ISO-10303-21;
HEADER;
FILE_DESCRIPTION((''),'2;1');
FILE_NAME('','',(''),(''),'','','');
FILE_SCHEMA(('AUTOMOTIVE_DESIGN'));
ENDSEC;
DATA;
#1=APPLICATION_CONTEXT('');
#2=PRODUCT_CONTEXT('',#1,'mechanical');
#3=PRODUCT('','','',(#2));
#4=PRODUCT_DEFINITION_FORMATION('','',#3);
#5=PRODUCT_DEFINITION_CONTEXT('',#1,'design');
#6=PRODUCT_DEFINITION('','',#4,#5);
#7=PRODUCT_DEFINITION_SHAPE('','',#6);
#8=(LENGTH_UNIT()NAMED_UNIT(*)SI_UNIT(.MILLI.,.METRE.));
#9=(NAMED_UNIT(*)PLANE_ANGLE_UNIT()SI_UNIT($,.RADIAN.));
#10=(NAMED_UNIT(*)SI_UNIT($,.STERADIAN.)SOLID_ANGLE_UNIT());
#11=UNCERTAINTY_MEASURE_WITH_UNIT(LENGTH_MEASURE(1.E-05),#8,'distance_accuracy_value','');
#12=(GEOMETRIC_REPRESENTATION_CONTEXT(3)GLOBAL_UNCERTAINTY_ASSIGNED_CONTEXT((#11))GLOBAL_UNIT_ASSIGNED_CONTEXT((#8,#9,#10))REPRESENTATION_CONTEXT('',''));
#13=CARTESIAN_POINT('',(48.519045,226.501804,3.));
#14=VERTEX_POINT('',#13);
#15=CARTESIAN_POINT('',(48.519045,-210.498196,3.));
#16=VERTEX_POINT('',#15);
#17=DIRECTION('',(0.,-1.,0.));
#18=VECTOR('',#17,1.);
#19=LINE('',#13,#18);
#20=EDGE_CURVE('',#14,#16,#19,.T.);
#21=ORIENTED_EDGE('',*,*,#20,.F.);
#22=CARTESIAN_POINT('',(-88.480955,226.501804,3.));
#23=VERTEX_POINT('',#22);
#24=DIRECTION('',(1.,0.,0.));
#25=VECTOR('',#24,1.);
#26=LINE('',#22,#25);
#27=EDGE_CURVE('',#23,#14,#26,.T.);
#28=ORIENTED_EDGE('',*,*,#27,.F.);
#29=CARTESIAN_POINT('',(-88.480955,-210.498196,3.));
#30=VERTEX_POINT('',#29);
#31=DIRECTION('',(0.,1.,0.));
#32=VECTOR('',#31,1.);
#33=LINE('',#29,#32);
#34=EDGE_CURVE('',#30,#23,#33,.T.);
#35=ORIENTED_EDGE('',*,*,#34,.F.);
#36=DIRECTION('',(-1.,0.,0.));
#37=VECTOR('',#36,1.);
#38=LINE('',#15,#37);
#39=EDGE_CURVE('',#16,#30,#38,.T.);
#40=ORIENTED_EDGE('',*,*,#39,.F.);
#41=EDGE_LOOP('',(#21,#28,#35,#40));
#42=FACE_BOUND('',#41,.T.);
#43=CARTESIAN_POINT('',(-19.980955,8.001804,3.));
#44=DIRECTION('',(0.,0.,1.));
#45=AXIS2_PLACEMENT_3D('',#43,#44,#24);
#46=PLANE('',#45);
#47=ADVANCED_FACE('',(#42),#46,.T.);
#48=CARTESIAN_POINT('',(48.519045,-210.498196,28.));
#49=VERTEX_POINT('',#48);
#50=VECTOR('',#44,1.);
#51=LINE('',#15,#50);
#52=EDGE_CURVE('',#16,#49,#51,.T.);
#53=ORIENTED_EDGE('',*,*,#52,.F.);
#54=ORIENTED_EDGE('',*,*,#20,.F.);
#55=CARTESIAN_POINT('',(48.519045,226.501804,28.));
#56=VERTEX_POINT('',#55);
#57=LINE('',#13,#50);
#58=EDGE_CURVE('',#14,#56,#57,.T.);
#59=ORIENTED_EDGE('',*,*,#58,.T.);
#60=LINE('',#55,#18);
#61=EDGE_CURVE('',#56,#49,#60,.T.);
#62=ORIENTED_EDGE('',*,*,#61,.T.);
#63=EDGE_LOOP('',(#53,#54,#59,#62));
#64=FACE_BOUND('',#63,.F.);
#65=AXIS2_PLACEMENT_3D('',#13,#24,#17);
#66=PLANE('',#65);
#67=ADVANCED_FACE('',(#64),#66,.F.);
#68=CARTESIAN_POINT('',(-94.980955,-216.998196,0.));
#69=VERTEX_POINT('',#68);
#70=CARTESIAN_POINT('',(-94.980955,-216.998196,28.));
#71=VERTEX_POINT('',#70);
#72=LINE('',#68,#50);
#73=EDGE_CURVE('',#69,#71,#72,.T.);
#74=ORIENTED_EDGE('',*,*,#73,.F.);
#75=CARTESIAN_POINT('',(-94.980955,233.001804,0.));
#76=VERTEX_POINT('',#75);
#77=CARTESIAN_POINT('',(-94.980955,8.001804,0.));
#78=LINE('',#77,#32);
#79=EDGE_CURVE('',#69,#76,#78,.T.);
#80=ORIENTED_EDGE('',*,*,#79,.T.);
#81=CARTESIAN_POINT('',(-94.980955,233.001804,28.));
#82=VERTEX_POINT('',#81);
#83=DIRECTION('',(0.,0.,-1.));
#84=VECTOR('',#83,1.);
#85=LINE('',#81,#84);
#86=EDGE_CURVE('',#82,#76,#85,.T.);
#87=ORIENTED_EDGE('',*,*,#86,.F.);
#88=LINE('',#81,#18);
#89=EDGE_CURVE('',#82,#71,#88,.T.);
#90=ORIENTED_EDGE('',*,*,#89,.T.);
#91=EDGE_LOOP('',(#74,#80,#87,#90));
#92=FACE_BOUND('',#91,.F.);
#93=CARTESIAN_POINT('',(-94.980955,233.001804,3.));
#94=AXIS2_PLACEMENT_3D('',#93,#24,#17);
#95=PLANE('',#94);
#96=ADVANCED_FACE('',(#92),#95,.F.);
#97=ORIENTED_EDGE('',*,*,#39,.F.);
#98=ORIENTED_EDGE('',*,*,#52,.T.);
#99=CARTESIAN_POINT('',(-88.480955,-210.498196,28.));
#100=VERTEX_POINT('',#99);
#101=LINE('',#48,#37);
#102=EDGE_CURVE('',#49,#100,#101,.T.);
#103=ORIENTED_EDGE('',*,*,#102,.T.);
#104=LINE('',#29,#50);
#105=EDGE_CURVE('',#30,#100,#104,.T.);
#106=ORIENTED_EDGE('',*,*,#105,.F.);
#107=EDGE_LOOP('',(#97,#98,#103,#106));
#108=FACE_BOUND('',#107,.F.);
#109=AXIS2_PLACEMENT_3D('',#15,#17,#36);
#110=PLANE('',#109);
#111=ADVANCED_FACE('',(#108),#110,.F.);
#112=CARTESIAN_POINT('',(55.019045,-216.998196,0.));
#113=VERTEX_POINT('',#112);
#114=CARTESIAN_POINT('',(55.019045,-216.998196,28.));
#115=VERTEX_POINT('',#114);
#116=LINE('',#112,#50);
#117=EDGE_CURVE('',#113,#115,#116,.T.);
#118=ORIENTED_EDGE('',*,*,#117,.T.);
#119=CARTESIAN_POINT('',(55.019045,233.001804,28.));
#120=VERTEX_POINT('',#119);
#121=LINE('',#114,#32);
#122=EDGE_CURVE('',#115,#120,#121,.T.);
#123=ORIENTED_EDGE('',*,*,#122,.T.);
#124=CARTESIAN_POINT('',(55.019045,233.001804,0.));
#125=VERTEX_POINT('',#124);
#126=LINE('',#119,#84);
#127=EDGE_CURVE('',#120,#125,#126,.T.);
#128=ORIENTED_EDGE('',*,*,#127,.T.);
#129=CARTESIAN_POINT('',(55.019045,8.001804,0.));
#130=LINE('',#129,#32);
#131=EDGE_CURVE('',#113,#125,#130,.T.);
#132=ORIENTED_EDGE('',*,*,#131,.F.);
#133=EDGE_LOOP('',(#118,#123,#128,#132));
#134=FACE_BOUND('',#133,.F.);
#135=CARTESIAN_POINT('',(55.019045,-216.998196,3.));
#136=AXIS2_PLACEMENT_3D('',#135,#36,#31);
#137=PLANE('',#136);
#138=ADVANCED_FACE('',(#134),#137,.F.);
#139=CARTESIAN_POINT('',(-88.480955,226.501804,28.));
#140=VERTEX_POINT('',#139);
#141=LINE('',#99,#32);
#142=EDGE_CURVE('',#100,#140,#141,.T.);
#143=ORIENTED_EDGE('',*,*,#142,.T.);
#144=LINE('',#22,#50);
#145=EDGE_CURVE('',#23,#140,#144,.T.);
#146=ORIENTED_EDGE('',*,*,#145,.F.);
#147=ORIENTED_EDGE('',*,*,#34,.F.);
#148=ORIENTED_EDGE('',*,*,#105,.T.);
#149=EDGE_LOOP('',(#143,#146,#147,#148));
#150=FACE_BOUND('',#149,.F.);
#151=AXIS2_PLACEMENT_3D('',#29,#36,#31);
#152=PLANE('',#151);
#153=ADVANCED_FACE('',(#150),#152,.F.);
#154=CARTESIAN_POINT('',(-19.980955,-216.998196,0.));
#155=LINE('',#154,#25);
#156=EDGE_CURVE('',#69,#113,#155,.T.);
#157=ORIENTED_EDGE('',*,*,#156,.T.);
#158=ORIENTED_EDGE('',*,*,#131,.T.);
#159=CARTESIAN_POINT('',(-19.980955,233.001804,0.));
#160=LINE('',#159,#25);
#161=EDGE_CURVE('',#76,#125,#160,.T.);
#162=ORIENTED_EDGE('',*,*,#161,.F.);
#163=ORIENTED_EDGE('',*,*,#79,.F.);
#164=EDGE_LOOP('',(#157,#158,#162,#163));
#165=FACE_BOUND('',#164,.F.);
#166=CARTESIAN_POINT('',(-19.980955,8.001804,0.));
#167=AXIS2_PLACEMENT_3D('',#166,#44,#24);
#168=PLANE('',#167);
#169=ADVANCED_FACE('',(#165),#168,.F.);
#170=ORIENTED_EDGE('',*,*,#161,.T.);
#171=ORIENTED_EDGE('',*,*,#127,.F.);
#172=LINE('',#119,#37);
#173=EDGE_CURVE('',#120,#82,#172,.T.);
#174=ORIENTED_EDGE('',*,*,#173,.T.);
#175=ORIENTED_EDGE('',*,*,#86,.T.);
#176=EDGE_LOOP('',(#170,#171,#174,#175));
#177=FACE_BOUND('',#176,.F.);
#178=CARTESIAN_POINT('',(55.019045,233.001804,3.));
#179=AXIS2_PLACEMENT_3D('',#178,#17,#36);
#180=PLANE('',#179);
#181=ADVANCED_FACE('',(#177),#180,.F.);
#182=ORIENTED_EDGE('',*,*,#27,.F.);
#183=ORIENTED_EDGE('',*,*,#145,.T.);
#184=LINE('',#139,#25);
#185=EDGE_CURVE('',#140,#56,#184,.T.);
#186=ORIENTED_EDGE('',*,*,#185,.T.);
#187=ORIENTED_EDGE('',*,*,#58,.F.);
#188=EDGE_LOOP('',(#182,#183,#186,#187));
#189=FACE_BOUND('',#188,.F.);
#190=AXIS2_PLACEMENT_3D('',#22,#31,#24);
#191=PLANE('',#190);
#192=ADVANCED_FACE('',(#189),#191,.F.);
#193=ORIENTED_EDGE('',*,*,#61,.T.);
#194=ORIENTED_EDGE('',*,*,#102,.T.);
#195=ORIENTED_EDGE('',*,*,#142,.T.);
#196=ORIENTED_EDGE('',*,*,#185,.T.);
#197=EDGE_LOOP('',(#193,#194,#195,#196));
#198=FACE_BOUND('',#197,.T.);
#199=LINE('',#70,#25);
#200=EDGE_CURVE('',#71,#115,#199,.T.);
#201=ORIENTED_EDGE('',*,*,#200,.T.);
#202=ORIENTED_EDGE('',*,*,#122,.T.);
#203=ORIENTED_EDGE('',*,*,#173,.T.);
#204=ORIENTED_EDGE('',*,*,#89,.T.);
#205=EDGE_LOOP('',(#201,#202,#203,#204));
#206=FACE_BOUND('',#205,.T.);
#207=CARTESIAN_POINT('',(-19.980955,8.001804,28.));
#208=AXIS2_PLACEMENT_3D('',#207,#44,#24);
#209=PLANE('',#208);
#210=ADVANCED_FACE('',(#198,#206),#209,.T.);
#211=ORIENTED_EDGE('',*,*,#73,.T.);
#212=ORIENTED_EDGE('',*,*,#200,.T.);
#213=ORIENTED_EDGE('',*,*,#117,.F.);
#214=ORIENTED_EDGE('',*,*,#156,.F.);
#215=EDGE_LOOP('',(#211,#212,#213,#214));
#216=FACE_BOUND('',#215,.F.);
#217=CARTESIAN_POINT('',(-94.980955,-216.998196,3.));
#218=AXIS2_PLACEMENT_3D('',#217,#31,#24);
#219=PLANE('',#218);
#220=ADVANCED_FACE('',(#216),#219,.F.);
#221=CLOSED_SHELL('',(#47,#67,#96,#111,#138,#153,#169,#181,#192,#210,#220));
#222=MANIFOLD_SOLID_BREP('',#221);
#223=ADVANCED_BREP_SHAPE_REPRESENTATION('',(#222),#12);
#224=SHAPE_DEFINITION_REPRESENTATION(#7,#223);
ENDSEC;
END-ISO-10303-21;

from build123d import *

# Parameters (mm, degrees)
F0_W     = 150
F0_H     = 450
F1_DEPTH = 3
F3_DEPTH = 25


with BuildPart() as f1:
    # F0 (on Top) → F1 (new body)
    with BuildSketch(Plane.XY):
        with Locations((-19.980955, 8.001804)):
            Rectangle(F0_W, F0_H)
    extrude(amount=F1_DEPTH)

    # F2 (on face) → F3 (join)
    with BuildSketch(Plane.XY.offset(3)):
        Polygon((-94.980955, 233.001804), (-94.980955, -216.998196), (55.019045, -216.998196), (55.019045, 73.85546), (55.019045, 233.001804), align=None)
        Polygon((48.519045, 226.501804), (48.519045, 73.85546), (48.519045, -210.498196), (-88.480955, -210.498196), (-88.480955, 226.501804), align=None, mode=Mode.SUBTRACT)
    extrude(amount=F3_DEPTH)


solid = f1.part
